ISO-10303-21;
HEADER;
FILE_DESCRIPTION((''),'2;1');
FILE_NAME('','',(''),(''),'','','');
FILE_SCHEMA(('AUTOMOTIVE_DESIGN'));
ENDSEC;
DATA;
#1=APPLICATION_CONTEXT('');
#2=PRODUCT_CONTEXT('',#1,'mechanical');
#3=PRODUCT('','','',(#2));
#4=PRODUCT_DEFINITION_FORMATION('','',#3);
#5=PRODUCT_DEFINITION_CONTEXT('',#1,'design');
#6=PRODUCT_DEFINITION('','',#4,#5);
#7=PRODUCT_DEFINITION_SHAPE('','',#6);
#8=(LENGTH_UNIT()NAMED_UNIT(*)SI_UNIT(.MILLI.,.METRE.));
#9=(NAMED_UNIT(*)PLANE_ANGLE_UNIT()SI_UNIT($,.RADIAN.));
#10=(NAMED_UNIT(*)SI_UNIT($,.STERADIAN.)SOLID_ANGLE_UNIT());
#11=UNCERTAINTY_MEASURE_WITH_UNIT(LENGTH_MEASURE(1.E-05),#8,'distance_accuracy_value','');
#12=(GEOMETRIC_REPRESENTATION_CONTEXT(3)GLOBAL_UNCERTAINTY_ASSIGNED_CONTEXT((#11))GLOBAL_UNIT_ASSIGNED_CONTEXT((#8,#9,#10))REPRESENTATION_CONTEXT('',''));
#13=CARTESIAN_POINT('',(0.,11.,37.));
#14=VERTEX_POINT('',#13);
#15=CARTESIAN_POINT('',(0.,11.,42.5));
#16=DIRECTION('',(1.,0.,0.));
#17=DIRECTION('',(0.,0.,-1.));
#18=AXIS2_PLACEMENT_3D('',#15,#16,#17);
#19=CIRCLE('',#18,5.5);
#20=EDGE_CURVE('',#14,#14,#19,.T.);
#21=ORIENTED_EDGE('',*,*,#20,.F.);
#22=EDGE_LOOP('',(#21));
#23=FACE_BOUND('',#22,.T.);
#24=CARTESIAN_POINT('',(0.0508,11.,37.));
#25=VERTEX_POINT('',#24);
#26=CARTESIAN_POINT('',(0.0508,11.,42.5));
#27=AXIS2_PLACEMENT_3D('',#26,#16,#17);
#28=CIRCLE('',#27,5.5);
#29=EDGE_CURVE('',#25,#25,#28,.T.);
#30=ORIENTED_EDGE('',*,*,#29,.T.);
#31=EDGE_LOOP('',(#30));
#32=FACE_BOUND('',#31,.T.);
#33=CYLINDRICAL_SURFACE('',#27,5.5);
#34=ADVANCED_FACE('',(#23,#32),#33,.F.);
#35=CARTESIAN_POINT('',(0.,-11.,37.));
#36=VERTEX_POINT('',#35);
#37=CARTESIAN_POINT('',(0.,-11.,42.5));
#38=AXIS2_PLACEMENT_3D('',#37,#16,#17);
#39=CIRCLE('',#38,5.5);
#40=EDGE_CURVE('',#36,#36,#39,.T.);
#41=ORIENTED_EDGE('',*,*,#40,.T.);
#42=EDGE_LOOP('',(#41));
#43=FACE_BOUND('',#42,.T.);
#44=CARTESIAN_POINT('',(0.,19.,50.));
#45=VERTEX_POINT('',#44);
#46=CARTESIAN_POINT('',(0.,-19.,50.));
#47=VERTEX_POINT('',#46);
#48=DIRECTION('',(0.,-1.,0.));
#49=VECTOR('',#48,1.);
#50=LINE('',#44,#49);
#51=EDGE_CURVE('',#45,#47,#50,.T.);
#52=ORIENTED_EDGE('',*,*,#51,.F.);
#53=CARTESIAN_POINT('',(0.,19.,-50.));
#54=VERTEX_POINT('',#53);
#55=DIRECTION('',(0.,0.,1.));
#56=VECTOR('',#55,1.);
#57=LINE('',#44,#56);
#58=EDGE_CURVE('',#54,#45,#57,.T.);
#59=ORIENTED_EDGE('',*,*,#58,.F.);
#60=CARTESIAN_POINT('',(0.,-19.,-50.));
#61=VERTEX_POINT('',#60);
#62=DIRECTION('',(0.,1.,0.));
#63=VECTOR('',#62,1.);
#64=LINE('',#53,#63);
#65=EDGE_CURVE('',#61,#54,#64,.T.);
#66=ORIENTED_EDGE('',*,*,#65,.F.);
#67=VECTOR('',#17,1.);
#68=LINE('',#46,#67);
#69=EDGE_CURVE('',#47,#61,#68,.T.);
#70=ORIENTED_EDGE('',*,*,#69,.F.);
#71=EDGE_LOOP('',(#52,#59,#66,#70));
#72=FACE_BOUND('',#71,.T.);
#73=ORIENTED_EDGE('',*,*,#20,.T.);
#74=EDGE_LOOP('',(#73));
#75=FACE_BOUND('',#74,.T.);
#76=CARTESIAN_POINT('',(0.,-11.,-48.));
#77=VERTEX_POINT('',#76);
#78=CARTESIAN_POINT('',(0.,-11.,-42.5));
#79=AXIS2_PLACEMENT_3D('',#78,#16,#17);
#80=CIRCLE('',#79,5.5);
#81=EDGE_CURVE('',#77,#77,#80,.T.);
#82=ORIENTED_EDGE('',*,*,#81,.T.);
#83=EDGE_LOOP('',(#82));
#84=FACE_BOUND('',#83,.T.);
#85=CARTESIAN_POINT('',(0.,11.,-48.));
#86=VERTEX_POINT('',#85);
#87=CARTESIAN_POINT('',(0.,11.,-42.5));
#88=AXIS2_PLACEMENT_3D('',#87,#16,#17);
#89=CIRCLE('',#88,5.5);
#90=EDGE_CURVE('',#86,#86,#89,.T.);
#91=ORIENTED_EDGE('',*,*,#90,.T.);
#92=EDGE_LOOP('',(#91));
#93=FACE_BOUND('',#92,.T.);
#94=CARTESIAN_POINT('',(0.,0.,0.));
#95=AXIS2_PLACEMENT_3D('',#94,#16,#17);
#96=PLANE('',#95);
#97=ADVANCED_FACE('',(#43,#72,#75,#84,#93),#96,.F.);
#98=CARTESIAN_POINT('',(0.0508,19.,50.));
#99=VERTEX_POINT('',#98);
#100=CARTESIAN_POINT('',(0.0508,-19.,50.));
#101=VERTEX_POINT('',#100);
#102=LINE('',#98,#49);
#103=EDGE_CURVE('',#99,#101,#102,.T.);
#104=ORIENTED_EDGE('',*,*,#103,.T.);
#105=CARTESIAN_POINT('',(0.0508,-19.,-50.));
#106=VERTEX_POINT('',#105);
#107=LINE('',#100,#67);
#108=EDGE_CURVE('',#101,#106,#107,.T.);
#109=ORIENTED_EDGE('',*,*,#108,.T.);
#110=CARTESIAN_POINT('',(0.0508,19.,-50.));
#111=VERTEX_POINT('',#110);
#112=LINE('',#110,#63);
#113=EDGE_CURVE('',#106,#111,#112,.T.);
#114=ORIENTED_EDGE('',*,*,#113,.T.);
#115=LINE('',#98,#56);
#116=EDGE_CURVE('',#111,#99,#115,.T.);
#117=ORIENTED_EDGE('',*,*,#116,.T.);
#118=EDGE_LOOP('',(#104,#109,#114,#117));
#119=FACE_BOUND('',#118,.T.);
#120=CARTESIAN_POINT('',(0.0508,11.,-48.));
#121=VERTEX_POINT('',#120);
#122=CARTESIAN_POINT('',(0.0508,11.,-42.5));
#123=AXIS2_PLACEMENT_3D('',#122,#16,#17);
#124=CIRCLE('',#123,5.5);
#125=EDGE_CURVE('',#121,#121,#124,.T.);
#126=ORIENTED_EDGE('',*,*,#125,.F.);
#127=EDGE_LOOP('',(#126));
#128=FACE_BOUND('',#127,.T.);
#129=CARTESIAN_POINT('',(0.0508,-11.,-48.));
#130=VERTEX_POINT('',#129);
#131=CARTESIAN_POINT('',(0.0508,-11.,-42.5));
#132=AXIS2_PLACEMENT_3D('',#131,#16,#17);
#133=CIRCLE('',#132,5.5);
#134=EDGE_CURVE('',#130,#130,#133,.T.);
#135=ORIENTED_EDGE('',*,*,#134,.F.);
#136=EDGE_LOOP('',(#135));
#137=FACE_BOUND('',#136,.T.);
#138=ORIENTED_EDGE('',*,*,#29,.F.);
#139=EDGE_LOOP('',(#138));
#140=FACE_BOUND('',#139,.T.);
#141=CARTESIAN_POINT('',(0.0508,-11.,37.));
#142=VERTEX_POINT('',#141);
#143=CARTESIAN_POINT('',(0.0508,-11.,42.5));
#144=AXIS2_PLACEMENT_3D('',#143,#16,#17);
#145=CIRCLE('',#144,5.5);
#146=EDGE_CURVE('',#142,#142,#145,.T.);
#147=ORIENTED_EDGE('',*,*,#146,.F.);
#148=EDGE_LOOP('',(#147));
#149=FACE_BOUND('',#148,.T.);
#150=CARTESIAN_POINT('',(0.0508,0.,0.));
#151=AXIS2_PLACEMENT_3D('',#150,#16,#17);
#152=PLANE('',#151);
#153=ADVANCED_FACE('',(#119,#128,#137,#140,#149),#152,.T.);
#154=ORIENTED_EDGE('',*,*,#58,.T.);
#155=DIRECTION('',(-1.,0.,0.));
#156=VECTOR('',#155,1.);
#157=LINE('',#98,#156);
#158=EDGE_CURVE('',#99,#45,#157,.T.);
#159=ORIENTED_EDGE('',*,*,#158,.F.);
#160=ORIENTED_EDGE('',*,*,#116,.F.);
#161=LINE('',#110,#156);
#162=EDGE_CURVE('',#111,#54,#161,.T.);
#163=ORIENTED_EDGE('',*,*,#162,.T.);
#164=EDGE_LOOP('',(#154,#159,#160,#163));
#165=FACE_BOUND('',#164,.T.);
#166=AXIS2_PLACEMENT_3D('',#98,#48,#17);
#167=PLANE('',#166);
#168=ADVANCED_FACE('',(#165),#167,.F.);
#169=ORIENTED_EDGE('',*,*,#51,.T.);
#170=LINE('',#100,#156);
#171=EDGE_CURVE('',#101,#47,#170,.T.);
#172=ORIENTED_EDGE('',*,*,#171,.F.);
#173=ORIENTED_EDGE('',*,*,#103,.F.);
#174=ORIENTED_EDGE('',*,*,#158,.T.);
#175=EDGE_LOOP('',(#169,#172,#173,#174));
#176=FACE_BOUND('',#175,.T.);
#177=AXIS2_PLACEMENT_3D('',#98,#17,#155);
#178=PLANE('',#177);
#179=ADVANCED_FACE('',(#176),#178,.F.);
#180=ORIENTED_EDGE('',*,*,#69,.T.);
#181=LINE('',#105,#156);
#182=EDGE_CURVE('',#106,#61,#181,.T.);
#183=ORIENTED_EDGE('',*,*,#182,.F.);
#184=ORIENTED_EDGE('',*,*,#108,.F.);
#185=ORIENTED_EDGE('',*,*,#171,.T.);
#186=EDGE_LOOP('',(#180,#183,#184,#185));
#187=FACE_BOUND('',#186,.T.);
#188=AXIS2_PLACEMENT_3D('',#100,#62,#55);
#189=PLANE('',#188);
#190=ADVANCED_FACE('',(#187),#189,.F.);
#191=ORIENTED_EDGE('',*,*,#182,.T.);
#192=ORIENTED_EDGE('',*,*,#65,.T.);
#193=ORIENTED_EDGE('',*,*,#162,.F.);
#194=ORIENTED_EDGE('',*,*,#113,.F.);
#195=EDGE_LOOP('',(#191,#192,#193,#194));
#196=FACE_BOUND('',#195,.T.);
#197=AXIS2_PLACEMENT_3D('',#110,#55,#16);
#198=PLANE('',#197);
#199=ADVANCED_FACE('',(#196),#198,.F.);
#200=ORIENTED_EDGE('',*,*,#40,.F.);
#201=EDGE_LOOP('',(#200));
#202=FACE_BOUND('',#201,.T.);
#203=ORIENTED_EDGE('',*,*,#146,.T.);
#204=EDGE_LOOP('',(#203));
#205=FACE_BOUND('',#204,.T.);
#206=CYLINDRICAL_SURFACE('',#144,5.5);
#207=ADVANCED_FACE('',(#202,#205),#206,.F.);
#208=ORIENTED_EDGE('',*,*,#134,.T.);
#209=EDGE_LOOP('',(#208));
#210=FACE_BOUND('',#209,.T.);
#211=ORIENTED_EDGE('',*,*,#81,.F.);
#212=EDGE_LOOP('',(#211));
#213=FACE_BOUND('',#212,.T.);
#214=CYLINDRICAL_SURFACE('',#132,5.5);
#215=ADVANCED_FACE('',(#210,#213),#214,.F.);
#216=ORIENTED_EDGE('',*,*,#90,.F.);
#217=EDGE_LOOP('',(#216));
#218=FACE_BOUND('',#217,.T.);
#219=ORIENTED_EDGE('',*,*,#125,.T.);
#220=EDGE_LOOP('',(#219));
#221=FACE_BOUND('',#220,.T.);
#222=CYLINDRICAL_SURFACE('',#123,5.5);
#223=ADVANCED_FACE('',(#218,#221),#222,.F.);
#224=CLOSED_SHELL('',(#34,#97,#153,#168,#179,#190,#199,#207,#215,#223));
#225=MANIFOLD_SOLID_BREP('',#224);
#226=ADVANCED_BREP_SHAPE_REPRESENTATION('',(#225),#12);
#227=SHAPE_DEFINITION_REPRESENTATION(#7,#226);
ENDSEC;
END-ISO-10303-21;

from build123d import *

# Parameters (mm, degrees)
SKETCH1_W             = 100
SKETCH1_H             = 38
BOSS_EXTRUDE1_DEPTH   = 0.0508
M10_CLEARANCE_HOLE1_D = 11


with BuildPart() as part:
    # Sketch1 → Boss-Extrude1 (new body)
    with BuildSketch(Plane(origin=(0, 0, 0), x_dir=(0, 0, -1), z_dir=(1, 0, 0))):
        Rectangle(SKETCH1_W, SKETCH1_H)
    extrude(amount=BOSS_EXTRUDE1_DEPTH)

    # M10 Clearance Hole1 (through all)
    with Locations(Plane(origin=(0.0508, 0, 0), x_dir=(0, 0, -1), z_dir=(1, 0, 0))):
        with Locations((-42.5, 11), (-42.5, -11), (42.5, 11), (42.5, -11)):
            Hole(M10_CLEARANCE_HOLE1_D / 2)


solid = part.part
